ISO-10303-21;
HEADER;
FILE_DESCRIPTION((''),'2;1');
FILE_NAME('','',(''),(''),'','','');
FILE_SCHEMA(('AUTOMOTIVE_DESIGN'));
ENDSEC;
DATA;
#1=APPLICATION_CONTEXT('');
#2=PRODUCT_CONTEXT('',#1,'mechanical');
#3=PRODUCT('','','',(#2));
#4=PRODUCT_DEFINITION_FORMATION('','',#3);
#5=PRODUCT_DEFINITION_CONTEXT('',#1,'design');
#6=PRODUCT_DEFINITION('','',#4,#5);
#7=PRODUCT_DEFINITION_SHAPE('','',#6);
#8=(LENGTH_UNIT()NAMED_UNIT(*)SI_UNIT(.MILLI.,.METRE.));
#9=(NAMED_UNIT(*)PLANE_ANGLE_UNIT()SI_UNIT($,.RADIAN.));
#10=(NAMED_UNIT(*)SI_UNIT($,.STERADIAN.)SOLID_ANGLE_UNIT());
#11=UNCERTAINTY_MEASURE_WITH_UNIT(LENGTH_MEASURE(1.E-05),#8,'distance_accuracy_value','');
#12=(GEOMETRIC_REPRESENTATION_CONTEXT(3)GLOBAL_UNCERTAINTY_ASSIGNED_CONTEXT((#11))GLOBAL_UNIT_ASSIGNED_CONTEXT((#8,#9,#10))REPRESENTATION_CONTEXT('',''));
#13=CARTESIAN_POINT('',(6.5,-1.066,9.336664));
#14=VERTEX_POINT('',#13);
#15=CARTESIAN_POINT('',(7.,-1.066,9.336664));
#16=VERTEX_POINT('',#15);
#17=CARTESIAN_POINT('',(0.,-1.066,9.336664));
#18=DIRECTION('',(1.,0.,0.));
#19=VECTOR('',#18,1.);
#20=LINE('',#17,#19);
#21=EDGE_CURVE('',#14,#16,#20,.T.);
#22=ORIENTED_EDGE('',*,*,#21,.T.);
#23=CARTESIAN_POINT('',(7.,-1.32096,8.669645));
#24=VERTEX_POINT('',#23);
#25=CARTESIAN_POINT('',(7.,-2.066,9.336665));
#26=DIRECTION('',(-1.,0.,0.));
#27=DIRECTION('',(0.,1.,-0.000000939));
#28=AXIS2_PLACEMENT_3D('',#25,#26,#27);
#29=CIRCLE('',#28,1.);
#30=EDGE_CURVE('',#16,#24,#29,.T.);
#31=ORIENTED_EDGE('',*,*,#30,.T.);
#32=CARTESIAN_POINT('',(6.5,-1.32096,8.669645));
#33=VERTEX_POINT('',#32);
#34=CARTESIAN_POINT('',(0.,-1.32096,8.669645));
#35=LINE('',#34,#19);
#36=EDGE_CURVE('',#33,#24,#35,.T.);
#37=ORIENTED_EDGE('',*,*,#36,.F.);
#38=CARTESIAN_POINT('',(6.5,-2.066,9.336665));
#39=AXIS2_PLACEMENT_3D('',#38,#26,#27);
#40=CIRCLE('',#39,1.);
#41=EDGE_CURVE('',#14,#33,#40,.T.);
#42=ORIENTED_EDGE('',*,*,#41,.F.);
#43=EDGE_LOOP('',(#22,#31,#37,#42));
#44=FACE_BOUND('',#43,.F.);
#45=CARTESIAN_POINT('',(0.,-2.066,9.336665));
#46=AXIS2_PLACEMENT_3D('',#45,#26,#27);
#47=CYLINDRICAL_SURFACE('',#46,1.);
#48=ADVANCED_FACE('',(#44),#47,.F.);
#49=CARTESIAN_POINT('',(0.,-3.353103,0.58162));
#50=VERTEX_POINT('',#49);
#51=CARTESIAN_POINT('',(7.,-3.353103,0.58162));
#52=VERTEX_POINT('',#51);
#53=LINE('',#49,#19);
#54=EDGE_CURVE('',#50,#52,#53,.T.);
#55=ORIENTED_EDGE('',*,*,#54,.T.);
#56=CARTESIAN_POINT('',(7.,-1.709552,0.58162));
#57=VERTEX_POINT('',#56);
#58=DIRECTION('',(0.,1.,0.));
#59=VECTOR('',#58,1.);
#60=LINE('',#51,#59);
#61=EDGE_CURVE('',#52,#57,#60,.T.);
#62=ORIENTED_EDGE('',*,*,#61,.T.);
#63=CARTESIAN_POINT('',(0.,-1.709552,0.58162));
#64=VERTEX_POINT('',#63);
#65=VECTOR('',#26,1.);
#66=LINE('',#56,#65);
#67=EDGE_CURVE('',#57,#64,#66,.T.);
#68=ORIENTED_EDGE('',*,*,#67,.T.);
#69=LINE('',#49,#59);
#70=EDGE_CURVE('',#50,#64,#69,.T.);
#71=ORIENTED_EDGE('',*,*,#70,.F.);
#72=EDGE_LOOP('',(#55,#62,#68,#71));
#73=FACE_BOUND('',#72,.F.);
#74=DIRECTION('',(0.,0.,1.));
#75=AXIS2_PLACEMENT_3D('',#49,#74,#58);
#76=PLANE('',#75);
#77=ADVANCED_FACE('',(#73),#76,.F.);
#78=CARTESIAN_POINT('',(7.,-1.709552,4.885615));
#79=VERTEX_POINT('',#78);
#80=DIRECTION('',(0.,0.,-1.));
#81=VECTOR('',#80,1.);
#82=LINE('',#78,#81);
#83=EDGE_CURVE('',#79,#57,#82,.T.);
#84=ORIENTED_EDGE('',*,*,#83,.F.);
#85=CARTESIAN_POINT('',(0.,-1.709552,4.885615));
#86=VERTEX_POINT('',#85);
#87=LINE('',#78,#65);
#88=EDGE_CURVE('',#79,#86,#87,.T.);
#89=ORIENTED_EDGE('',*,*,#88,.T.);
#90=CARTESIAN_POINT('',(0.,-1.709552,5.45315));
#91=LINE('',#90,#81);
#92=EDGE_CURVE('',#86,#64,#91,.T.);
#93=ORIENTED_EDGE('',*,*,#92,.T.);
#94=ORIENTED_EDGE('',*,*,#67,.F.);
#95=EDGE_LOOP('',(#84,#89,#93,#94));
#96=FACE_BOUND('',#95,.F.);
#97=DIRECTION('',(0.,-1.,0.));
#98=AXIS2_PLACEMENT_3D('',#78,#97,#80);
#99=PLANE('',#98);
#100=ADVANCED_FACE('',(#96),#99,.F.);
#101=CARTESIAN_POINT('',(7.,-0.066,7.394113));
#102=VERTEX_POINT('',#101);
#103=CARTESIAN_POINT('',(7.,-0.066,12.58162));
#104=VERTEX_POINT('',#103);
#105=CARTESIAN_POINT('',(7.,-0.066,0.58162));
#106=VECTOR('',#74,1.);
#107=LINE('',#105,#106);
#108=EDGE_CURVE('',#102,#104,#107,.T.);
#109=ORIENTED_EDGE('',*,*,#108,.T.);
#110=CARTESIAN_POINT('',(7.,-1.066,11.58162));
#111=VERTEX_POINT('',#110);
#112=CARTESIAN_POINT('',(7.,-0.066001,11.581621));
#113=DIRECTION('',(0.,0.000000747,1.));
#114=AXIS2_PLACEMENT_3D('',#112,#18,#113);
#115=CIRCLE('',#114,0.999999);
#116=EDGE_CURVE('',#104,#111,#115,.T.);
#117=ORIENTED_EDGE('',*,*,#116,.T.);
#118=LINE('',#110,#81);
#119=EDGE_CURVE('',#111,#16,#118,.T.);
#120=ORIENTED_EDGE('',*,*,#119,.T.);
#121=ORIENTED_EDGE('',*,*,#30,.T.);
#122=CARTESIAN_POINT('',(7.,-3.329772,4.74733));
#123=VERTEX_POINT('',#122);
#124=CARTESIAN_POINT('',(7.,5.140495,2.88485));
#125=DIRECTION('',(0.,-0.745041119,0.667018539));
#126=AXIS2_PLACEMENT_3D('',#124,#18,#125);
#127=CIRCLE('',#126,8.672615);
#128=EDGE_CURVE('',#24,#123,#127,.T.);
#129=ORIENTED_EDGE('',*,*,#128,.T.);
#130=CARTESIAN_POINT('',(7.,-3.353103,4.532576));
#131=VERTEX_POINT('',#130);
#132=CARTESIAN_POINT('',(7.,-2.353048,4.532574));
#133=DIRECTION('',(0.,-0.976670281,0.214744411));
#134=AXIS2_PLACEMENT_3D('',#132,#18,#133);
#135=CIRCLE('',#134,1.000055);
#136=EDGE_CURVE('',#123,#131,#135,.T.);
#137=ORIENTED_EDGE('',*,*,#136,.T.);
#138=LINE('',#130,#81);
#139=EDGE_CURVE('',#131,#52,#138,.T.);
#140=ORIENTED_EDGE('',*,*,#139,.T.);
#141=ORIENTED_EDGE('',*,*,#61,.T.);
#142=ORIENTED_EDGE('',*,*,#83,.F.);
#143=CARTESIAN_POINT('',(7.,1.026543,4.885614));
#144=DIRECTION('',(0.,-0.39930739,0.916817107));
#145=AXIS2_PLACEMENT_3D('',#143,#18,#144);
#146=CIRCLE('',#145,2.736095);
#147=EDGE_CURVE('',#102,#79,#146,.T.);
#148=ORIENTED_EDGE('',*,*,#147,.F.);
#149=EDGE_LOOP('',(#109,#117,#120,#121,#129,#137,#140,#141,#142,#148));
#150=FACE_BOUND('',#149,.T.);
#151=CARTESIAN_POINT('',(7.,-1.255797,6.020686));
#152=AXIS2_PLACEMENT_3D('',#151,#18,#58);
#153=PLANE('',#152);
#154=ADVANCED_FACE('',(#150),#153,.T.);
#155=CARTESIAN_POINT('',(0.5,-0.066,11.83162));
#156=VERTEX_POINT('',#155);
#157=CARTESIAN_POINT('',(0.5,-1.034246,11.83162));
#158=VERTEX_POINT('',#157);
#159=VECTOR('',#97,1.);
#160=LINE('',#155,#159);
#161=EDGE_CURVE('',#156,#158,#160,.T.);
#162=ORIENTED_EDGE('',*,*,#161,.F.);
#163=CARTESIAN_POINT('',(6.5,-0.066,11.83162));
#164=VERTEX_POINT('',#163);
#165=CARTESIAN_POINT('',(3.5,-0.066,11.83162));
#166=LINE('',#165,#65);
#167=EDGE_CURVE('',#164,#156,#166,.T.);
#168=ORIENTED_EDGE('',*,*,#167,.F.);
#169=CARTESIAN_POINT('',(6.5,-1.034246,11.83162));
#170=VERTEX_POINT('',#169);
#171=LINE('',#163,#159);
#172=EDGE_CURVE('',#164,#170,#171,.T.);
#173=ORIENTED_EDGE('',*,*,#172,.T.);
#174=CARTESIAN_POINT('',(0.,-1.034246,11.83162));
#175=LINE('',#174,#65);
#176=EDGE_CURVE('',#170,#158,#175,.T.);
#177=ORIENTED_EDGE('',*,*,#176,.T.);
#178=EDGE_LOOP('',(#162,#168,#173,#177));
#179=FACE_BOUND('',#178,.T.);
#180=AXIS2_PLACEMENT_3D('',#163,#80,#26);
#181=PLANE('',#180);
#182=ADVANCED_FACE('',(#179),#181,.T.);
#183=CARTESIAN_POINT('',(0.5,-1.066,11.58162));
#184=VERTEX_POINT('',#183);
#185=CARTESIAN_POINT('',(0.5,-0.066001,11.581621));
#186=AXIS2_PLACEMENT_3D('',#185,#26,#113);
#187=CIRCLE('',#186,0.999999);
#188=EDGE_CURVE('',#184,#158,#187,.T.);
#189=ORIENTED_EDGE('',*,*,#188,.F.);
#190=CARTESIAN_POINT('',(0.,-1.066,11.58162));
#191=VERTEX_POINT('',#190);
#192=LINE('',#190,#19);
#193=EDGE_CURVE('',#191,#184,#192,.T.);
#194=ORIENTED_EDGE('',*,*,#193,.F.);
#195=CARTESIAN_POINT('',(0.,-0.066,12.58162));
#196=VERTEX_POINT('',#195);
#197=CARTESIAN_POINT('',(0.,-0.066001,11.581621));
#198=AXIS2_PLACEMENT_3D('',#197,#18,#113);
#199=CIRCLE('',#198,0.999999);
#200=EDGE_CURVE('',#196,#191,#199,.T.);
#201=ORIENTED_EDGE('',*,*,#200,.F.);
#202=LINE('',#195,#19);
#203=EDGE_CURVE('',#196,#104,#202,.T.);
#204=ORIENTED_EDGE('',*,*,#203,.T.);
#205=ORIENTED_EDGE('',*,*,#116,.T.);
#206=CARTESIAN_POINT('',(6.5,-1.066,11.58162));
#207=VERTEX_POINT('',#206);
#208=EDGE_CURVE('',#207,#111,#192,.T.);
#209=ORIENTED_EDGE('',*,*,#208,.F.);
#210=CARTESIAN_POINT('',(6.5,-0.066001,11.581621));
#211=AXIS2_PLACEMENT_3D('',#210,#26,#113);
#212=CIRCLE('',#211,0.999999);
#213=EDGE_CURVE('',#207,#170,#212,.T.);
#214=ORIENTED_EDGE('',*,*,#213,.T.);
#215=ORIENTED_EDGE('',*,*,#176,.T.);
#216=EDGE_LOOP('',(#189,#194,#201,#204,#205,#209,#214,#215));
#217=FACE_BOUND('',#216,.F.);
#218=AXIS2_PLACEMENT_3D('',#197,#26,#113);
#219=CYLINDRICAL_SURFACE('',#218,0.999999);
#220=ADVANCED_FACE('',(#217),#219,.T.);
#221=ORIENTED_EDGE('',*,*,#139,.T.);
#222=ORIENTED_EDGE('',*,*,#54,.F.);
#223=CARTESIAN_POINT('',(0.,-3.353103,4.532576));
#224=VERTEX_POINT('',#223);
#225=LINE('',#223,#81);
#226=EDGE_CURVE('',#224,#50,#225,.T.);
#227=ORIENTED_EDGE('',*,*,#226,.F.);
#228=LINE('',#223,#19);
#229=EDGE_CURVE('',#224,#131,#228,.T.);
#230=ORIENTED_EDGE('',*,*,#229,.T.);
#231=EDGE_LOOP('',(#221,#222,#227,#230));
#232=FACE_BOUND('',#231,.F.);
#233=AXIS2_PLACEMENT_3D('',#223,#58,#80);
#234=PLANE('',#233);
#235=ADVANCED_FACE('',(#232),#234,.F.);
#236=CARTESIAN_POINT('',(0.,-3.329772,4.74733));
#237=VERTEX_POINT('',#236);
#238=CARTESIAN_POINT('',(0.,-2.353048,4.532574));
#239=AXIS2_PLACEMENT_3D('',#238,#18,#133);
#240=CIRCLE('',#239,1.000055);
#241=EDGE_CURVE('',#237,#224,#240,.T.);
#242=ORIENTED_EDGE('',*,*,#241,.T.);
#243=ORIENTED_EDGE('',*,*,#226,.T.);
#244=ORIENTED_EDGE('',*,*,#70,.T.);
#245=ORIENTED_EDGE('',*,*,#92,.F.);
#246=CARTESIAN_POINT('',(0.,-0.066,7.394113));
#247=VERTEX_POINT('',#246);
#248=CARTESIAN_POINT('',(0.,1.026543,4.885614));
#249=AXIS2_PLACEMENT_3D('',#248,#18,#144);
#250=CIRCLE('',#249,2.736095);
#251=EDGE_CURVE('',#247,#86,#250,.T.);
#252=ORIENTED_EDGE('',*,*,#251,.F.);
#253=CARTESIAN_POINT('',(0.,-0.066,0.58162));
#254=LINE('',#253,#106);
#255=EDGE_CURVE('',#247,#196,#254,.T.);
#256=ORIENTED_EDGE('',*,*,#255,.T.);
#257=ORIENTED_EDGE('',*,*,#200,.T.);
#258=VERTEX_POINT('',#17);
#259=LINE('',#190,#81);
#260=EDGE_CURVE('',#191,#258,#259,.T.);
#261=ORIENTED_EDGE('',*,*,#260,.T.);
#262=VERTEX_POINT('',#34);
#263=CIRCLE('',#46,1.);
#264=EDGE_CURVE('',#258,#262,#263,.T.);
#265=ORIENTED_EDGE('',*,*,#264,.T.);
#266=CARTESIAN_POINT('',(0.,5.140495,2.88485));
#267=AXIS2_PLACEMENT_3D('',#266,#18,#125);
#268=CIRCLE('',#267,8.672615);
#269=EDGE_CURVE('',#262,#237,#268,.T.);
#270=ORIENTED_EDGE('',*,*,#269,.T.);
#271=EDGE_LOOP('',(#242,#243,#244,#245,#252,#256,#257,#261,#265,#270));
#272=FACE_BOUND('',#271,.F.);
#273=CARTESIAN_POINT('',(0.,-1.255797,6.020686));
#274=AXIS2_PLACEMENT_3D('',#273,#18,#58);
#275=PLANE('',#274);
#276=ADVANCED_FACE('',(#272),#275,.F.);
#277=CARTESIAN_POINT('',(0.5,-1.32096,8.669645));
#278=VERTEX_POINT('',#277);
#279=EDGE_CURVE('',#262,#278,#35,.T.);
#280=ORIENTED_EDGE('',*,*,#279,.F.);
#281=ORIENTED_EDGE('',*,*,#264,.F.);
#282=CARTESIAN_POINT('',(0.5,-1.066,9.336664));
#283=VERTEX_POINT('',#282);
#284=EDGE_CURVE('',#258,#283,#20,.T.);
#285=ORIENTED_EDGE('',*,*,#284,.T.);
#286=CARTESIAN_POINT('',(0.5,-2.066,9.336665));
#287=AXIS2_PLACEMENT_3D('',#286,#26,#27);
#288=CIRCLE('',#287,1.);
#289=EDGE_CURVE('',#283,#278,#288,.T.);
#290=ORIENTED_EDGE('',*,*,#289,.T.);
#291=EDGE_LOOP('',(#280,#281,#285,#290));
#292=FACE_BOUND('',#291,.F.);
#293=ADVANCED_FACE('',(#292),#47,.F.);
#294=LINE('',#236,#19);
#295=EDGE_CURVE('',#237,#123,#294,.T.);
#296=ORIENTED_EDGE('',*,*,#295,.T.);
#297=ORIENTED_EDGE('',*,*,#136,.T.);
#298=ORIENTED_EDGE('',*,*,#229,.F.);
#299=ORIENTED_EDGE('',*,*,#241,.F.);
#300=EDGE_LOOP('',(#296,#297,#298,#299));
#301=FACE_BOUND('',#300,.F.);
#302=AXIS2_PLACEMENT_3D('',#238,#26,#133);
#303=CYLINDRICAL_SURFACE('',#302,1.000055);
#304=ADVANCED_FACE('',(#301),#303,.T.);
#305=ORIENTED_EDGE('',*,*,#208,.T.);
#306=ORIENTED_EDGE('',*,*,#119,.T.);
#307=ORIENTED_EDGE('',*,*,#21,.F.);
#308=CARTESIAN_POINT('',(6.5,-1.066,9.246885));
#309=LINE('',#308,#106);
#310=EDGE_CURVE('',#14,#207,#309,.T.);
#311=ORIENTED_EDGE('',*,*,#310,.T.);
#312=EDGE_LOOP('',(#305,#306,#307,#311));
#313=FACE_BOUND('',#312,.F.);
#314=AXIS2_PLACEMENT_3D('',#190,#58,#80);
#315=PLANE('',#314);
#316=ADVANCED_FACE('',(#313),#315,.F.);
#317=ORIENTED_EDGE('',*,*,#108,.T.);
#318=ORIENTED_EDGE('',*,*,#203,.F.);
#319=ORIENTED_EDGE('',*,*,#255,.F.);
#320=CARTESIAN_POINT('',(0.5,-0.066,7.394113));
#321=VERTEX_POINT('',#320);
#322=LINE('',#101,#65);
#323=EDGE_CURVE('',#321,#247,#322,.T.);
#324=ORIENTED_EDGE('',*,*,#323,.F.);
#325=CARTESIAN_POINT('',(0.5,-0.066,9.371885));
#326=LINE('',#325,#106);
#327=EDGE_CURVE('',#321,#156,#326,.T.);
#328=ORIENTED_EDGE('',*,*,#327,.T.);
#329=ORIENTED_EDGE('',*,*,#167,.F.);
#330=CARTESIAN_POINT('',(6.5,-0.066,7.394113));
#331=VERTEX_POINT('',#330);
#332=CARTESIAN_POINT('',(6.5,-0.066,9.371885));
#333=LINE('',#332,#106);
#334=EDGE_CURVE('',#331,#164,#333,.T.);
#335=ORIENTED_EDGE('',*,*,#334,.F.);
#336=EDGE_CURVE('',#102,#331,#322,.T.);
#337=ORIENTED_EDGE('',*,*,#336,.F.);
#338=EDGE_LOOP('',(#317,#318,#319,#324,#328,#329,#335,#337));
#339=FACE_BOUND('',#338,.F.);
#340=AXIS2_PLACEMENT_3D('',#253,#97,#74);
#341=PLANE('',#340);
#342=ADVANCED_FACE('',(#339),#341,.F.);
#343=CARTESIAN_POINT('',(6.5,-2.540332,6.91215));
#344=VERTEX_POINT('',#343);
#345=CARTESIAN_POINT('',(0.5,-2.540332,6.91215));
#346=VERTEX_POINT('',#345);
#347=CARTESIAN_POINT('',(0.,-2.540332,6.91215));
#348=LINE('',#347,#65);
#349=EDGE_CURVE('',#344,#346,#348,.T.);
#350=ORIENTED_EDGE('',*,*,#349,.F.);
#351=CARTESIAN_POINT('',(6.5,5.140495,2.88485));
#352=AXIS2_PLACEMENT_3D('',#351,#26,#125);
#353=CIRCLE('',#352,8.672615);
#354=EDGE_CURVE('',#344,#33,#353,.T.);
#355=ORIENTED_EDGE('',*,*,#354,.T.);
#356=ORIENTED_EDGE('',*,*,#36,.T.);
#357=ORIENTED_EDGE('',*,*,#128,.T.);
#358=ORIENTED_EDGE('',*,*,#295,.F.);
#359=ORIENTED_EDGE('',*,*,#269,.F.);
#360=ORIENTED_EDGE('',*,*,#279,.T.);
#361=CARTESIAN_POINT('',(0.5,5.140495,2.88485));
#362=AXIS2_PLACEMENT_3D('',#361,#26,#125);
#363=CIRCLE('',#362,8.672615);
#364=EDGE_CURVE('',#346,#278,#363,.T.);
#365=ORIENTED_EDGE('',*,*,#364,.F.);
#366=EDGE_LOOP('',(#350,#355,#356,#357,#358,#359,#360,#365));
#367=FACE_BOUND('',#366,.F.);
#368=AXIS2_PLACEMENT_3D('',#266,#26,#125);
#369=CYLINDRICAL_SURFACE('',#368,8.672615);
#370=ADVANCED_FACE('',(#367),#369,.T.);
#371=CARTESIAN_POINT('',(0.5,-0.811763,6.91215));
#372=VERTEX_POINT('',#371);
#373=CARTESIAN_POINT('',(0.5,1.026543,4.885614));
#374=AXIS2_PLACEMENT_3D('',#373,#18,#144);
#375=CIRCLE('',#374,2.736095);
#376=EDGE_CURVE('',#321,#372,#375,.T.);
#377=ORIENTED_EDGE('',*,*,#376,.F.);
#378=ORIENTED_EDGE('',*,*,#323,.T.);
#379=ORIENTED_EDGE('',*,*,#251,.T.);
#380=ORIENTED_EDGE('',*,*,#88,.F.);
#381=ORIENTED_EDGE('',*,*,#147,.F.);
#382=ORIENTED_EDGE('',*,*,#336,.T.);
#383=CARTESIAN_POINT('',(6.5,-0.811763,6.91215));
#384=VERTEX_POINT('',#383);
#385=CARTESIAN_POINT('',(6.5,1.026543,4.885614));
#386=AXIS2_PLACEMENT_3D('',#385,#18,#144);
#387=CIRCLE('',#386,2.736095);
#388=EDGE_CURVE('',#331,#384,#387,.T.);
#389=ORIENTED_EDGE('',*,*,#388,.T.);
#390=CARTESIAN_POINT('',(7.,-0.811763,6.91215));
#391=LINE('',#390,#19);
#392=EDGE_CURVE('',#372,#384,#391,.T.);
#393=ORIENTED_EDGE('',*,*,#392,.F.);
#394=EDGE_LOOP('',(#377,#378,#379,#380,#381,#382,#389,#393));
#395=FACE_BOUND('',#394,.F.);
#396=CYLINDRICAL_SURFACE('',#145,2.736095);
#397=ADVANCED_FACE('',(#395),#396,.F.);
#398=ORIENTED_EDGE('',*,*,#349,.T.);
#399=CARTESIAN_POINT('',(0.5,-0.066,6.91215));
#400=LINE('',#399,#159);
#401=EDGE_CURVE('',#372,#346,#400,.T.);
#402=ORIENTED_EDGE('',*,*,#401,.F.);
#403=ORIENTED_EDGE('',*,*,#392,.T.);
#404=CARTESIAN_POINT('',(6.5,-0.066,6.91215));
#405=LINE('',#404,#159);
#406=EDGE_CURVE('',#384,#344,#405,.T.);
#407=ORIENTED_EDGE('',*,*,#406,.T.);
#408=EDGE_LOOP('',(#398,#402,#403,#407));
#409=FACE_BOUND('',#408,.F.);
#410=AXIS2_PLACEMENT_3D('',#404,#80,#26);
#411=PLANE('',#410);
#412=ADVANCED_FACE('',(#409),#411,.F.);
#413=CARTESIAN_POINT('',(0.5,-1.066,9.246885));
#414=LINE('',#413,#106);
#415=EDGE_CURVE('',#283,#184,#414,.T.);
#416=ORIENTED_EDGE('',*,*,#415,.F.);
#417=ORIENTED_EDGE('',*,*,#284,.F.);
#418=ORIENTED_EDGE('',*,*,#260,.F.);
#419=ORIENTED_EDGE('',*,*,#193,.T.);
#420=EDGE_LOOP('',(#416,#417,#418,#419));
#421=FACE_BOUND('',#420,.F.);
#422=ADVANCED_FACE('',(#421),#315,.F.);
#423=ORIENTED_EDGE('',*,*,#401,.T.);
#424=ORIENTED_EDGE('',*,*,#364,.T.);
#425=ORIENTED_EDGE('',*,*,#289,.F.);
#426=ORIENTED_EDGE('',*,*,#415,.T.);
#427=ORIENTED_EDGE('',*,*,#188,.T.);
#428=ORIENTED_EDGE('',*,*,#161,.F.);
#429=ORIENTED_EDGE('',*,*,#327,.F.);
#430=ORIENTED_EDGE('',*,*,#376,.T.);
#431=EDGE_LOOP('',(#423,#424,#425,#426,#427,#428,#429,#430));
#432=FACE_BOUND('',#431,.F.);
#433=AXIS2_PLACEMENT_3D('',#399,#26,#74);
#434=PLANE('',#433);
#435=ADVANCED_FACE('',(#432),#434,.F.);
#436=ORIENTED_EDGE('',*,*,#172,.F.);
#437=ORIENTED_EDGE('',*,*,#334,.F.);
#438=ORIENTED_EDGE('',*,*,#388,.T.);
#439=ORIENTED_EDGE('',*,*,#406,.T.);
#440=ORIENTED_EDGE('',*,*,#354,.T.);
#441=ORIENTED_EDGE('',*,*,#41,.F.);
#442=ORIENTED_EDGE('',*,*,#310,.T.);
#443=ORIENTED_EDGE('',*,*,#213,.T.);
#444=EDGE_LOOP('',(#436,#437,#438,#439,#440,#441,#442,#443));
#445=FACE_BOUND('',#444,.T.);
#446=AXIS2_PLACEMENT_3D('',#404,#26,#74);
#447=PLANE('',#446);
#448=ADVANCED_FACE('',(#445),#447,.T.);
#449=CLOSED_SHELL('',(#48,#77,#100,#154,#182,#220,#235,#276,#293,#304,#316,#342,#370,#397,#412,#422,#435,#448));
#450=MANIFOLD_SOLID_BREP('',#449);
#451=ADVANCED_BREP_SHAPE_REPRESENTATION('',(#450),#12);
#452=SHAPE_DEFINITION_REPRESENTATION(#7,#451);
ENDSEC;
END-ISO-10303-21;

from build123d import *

# Parameters (mm, degrees)
F1_DEPTH = 7
F2_W     = 6
F2_H     = 4.91947
F3_DEPTH = 3.288103
F5_DEPTH = 7.001


with BuildPart() as f1:
    # F0 (on Right) → F1 (new body)
    with BuildSketch(Plane.YZ):
        with BuildLine():
            Line((-3.353103, 0.58162), (-0.066, 0.58162))
            Line((-0.066, 0.58162), (-0.066, 12.58162))
            ThreePointArc((-0.066, 12.58162), (-0.773107, 12.288727), (-1.066, 11.58162))
            Line((-1.066, 11.58162), (-1.066, 9.336664))
            ThreePointArc((-1.066, 9.336664), (-1.131912, 8.979622), (-1.32096, 8.669645))
            ThreePointArc((-1.32096, 8.669645), (-2.578651, 6.838208), (-3.329772, 4.74733))
            ThreePointArc((-3.329772, 4.74733), (-3.347253, 4.640585), (-3.353103, 4.532576))
            Line((-3.353103, 4.532576), (-3.353103, 0.58162))
        make_face()
    extrude(amount=F1_DEPTH)

    # F2 (on face) → F3 (cut, through all)
    with BuildSketch(Plane(origin=(0, -0.066, 0), x_dir=(-1, 0, 0), z_dir=(0, 1, 0))):
        with Locations((-3.5, 9.371885)):
            Rectangle(F2_W, F2_H)
    extrude(amount=-F3_DEPTH, mode=Mode.SUBTRACT)

    # F4 (on face) → F5 (cut, through all)
    with BuildSketch(Plane.YZ.offset(7)):
        with BuildLine():
            Line((-1.709552, 4.885615), (-1.709552, 0.58162))
            Line((-1.709552, 0.58162), (-0.066, 0.58162))
            Line((-0.066, 0.58162), (-0.066, 2.014811))
            Line((-0.066, 2.014811), (-0.066, 7.394113))
            ThreePointArc((-0.066, 7.394113), (-1.262072, 6.3851), (-1.709552, 4.885615))
        make_face()
    extrude(amount=-F5_DEPTH, mode=Mode.SUBTRACT)


solid = f1.part
